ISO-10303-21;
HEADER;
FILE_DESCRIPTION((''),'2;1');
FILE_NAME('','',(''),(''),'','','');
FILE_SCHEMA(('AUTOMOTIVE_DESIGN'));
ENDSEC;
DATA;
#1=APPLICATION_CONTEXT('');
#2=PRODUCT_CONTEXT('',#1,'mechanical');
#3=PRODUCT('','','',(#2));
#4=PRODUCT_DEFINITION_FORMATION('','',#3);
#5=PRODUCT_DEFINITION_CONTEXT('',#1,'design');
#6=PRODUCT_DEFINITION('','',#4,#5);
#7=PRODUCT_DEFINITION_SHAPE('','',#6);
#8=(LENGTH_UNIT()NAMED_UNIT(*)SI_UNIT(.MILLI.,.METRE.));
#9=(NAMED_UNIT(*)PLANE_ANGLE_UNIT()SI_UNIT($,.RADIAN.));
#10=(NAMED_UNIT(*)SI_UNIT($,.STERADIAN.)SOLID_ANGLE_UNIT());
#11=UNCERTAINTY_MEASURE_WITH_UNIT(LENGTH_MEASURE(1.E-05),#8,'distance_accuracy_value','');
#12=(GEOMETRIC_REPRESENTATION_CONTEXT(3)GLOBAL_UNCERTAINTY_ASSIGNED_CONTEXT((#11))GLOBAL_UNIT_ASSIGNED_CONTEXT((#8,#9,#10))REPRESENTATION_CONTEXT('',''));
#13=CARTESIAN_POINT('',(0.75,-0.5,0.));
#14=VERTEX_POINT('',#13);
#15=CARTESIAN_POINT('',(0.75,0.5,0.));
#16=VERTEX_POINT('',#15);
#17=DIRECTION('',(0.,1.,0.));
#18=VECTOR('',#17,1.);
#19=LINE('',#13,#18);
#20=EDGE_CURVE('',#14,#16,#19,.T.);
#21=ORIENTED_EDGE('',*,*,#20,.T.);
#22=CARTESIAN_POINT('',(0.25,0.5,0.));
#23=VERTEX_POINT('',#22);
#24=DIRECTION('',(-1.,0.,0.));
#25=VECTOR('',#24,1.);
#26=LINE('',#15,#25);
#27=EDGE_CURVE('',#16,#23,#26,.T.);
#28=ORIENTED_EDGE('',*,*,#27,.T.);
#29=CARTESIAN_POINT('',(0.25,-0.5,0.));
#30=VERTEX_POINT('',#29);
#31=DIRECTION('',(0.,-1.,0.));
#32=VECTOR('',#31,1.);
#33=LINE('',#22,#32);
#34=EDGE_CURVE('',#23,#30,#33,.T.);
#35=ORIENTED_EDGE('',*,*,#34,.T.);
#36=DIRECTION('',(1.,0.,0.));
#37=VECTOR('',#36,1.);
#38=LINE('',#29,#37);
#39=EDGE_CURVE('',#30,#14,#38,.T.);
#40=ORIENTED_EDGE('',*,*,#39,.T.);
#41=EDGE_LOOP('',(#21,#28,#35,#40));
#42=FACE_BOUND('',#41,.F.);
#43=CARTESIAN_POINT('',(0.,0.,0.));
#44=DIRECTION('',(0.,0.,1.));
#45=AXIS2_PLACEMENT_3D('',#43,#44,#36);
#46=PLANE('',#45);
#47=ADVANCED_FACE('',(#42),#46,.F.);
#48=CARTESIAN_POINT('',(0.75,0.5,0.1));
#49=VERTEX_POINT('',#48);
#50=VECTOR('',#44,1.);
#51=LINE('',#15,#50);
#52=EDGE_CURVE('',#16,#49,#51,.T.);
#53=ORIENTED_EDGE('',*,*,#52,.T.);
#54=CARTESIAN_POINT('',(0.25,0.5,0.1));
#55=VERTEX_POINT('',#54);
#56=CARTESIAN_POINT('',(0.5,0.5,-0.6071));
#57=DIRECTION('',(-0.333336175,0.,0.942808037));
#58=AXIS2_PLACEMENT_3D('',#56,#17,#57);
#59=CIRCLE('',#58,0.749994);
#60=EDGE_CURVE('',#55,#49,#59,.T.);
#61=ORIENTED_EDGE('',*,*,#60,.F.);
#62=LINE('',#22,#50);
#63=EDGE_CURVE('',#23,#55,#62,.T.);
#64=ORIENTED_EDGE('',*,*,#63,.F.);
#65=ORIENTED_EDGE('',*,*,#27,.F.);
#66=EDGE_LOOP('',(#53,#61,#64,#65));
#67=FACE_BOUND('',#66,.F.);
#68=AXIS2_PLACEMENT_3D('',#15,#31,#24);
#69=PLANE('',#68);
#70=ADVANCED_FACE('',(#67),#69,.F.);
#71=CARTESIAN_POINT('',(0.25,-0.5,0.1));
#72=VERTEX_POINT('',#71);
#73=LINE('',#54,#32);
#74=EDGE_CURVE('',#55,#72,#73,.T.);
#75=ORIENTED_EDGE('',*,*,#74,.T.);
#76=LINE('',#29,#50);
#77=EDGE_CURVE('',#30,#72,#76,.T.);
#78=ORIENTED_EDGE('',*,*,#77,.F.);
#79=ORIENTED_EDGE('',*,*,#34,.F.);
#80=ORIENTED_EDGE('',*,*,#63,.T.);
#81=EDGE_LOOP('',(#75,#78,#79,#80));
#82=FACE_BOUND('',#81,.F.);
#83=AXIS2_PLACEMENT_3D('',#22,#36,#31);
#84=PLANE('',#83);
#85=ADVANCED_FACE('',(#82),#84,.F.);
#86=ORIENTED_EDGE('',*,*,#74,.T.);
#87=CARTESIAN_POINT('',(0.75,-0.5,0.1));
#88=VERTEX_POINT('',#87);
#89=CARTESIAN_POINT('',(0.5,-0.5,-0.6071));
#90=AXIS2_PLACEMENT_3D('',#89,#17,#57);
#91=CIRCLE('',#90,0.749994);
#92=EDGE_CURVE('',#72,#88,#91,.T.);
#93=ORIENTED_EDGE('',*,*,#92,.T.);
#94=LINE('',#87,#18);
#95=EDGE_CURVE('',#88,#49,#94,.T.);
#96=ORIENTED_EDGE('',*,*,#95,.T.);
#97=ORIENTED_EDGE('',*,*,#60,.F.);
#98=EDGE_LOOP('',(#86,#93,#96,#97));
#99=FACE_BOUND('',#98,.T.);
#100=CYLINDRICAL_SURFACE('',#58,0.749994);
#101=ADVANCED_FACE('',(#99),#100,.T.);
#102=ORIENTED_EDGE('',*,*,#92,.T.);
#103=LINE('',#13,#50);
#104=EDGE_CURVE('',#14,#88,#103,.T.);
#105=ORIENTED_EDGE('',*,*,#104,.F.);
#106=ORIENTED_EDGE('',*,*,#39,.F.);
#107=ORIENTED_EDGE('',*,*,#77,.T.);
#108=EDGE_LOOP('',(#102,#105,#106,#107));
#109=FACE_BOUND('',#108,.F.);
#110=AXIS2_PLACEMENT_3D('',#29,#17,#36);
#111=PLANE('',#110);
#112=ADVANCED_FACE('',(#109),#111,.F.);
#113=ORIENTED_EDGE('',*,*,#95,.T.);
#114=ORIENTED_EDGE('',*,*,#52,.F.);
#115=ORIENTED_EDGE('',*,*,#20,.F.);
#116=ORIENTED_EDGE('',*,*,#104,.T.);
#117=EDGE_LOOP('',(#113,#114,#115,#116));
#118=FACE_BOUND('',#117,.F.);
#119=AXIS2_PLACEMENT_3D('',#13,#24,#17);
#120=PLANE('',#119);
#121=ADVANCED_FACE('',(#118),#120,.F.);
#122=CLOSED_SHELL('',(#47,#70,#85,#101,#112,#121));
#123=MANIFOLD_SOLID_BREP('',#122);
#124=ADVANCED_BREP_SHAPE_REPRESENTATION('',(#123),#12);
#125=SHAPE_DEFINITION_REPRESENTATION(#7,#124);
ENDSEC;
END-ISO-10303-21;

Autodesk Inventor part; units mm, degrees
ref_plane "YZ Plane" through (0, 0, 0) normal (1, 0, 0) x (0, 1, 0)
ref_plane "XZ Plane" through (0, 0, 0) normal (0, 1, 0) x (-1, 0, 0)
ref_plane "XY Plane" through (0, 0, 0) normal (0, 0, 1) x (1, 0, 0)
sketch "스케치1" plane through (0, 0, 0) normal (0, 0, 1) x (1, 0, 0)
  line L0 (-0.15, 0) -> (0.9, 0) construction
  line L1 (0, -0.7) -> (0, 0.7) construction
  line L2 (0.25, -0.5) -> (0.75, -0.5)
  line L3 (0.75, -0.5) -> (0.75, 0.5)
  line L4 (0.75, 0.5) -> (0.25, 0.5)
  line L5 (0.25, 0.5) -> (0.25, -0.5)
  point P0 (0, 0)
  point P1 (0.5, -0.5)
  dimension "d7" = 0.5
  dimension "d8" = 1
  dimension "d9" = 0.25
extrude "돌출1" add sketch "스케치1" along normal blind 0.1
sketch "스케치3" plane through (0.25, 0.5, 0) normal (0, 1, 0) x (1, 0, 0)
  line L0 (-0.25, 0.6093) -> (-0.25, -0.2964) construction
  line L1 (-0.4, 0) -> (0.65, 0) construction
  line L2 (0.5, 0) -> (0, 0) projected
  line L3 (0, 0) -> (0, -0.1) projected
  line L4 (0.5, -0.1) -> (0, -0.1) projected
  line L5 (0.5, 0) -> (0.5, -0.1) projected
  arc A0 (0, -0.1) -> (0.5, -0.1) centre (0.25, 0.6071) ccw
  line L6 (0.25, -0.1) -> (0.25, 0.4799) construction
  point P0 (-0.25, 0)
  dimension "d10" = 0.75
extrude "돌출3" add sketch "스케치3" against normal up to surface (1 mm away) contours A0 L4
properties part number "flat_surface_1"
